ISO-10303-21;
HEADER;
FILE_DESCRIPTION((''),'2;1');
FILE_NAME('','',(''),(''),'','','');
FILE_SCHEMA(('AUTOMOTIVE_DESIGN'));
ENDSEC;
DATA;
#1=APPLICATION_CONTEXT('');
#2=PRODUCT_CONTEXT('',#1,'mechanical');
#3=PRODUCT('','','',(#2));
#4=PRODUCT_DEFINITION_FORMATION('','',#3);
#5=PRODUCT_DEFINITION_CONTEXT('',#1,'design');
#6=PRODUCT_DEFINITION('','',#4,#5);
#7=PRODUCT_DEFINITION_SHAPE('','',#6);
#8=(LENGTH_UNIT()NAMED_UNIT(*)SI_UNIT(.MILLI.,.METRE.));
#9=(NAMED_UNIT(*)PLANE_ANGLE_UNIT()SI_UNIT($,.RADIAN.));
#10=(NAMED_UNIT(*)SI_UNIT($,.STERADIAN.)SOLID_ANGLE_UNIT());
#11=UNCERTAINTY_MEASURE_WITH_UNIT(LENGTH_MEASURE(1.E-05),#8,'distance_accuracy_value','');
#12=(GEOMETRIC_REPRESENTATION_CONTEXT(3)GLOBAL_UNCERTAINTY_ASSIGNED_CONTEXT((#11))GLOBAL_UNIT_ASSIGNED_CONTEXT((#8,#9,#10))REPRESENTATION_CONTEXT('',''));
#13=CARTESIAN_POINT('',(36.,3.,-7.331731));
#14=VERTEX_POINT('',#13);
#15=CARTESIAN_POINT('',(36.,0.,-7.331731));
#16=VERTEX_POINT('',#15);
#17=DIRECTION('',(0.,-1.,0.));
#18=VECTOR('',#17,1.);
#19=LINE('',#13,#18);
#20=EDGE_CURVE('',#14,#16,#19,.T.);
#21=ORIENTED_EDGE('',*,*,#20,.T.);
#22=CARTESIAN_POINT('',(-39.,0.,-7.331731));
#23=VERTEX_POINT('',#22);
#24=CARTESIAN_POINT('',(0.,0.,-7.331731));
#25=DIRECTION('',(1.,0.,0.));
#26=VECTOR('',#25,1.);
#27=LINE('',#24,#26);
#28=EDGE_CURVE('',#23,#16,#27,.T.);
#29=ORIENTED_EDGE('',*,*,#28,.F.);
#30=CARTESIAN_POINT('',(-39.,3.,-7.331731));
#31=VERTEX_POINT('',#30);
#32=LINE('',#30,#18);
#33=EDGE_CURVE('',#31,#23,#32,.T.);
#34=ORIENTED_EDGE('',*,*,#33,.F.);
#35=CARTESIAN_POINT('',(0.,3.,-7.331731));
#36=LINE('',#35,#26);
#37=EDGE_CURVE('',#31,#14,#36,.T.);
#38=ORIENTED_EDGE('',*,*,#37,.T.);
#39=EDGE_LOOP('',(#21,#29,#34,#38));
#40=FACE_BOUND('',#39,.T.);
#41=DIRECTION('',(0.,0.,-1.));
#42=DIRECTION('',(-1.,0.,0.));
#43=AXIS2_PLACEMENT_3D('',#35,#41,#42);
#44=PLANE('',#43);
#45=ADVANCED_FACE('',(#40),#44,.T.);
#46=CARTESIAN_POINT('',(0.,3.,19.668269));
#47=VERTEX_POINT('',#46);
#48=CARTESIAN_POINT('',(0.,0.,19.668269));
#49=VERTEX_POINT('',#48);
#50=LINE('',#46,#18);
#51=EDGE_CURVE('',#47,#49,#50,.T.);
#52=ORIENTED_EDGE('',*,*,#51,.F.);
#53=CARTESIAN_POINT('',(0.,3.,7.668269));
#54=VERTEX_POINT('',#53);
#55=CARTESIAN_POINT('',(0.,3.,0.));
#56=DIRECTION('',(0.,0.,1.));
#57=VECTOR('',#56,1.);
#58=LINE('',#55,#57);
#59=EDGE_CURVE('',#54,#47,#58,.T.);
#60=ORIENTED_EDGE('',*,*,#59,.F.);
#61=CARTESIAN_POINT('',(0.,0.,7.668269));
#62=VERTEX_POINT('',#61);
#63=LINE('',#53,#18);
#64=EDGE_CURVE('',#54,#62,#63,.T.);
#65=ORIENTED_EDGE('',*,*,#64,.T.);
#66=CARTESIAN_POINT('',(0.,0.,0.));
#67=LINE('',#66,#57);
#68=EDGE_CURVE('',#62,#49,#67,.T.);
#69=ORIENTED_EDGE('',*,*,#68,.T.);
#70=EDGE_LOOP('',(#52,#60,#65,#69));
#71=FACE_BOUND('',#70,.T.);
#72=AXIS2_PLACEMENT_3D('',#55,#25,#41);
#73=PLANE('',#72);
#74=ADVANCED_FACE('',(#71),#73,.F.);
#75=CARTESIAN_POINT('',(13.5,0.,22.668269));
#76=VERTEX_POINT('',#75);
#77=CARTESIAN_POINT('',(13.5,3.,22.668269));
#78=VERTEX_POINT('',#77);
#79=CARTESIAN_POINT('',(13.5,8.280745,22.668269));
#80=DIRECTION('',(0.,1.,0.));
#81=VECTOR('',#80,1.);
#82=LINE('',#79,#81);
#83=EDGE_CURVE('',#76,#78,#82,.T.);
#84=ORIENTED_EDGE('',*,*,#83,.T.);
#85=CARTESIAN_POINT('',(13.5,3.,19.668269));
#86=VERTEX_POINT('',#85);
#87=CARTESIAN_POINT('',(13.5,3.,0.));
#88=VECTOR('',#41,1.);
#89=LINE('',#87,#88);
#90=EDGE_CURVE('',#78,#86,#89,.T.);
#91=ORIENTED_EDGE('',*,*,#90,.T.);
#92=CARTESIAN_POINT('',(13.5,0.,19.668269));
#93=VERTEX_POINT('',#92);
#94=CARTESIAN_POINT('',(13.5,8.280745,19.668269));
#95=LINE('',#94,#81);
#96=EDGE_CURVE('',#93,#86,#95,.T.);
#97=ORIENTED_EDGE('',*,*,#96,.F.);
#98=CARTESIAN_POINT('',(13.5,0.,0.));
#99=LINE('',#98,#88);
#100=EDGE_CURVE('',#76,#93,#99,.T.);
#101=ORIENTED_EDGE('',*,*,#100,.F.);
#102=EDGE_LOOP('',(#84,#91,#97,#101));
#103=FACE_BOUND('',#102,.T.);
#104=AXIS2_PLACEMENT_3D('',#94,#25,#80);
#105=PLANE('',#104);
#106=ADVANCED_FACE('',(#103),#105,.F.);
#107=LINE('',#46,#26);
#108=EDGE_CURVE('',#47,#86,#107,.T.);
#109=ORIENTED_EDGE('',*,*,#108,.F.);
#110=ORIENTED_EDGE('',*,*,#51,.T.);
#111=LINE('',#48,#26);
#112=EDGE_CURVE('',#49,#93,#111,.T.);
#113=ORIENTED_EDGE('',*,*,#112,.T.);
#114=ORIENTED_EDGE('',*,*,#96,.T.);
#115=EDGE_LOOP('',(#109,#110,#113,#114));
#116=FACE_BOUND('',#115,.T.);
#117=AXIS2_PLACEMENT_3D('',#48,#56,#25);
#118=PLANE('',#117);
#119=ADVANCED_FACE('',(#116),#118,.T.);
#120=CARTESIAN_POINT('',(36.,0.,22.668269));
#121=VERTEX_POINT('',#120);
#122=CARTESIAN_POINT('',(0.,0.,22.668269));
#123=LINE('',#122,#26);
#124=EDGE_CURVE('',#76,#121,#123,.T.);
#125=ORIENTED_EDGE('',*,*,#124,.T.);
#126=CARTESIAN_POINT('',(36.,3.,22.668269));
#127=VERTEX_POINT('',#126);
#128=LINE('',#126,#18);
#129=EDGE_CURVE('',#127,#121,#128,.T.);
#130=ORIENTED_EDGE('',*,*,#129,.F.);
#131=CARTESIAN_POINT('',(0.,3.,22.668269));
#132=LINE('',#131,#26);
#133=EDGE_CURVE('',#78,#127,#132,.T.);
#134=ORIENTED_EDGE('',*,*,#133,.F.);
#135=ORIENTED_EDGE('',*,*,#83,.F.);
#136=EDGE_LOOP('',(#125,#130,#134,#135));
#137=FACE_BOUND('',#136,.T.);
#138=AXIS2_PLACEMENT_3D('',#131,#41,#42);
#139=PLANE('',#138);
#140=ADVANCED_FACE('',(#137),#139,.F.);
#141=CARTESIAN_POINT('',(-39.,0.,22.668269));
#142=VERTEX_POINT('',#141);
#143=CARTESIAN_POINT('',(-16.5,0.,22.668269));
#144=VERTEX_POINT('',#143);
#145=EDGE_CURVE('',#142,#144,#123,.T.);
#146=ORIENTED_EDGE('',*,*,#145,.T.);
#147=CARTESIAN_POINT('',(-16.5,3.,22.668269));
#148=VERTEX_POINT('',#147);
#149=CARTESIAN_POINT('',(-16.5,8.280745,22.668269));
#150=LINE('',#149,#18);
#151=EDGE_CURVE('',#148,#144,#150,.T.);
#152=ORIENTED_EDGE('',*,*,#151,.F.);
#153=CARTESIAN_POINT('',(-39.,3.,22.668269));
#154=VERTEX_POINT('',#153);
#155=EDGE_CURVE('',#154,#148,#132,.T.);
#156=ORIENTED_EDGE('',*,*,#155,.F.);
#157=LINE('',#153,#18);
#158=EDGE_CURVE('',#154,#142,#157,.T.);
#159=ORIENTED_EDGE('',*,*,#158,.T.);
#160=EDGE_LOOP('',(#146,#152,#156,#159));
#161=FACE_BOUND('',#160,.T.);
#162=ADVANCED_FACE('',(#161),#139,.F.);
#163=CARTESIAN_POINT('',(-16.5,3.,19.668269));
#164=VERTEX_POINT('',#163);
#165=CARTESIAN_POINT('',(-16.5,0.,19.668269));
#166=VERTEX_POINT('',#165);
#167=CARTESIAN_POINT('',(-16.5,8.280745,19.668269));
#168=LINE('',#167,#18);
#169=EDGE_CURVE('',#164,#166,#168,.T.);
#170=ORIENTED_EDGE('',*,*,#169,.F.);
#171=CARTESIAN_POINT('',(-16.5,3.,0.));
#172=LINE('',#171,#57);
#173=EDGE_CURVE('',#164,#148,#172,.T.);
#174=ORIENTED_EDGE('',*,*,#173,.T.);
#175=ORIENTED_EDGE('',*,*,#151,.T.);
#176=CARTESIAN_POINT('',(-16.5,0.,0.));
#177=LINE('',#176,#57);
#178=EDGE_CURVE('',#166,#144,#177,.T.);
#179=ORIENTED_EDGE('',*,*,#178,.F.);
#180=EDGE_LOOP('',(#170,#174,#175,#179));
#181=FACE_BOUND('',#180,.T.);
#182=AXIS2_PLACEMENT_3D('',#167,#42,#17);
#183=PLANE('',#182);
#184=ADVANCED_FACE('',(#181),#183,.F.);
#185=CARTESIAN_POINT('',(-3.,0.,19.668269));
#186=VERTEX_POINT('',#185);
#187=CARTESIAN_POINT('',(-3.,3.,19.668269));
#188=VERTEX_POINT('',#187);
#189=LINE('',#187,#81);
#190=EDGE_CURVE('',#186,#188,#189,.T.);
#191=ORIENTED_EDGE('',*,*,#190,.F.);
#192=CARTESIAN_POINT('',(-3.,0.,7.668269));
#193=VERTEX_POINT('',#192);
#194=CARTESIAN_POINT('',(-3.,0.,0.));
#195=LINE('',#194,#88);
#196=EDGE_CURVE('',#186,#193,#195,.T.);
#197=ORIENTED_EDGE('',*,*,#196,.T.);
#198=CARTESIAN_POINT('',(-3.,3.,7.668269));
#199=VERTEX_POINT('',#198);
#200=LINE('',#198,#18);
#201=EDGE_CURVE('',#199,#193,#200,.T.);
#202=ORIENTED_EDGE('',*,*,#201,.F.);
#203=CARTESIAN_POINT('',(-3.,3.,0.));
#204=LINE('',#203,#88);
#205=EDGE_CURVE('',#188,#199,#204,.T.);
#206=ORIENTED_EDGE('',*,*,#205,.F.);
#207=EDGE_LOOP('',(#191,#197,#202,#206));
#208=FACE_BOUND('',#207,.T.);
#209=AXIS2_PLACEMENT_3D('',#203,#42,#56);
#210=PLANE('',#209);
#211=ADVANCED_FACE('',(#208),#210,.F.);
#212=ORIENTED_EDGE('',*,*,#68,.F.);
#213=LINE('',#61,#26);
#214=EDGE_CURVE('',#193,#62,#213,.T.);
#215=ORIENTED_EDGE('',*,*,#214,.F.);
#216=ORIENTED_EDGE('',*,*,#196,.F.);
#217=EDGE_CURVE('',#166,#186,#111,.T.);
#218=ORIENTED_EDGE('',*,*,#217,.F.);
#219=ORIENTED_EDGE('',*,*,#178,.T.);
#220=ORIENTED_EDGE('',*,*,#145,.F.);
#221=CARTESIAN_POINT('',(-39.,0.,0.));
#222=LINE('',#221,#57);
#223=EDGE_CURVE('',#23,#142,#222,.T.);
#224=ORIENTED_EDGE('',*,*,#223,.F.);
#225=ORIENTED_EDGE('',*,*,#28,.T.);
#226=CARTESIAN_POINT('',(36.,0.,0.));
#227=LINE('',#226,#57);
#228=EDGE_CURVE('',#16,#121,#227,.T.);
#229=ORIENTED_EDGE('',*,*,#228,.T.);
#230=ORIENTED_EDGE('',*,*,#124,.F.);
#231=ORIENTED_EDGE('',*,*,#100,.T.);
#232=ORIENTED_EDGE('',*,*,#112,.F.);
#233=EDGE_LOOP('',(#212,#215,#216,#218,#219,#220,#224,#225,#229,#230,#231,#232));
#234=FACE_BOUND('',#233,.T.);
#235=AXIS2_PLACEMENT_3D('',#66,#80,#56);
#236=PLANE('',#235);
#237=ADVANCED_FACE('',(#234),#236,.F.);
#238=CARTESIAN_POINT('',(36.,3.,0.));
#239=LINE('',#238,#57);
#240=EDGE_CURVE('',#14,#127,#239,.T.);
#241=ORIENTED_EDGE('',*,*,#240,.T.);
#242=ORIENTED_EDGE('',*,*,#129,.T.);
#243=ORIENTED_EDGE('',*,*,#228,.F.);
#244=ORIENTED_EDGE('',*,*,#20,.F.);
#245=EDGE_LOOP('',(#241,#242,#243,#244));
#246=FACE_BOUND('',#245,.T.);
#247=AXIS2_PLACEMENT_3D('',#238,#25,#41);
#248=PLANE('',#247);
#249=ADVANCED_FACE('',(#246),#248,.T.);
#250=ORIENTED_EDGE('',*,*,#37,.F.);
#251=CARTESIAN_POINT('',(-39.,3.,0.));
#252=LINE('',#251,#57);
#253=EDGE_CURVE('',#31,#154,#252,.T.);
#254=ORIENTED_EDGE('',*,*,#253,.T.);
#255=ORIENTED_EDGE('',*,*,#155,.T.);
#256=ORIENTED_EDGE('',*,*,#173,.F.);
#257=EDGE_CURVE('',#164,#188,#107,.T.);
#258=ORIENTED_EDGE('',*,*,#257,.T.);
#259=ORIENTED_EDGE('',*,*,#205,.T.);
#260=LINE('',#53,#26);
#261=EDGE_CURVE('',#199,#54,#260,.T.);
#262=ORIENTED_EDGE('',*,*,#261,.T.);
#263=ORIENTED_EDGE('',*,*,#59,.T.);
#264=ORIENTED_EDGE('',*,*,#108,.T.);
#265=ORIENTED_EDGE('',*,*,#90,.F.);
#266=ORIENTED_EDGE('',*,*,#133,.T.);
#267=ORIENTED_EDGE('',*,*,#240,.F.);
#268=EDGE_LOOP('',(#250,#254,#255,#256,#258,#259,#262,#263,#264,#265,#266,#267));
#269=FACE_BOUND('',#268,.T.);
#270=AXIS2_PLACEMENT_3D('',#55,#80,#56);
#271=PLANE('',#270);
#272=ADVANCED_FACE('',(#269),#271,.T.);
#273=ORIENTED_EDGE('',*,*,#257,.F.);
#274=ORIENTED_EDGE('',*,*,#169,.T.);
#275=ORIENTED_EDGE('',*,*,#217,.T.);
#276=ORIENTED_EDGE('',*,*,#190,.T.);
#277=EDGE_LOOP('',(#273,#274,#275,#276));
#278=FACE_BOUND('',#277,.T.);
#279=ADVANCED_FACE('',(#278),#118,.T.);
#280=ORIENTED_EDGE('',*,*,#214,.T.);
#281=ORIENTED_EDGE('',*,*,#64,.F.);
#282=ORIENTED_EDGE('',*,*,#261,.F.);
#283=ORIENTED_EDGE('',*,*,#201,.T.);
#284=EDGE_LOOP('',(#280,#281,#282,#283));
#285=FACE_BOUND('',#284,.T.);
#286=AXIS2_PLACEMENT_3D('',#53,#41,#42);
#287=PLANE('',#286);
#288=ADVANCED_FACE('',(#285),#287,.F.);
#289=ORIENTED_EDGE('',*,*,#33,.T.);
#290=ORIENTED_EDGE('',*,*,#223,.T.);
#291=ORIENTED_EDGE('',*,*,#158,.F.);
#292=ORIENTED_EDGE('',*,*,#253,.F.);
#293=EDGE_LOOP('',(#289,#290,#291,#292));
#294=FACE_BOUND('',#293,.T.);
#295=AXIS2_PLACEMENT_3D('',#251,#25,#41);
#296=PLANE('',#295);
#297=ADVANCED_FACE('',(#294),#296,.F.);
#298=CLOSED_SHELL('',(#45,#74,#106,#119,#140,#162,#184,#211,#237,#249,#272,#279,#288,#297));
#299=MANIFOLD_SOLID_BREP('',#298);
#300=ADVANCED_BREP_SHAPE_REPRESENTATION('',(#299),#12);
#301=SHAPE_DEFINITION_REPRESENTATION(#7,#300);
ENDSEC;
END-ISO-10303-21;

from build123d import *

# Parameters (mm, degrees)
RESSALTO_EXTRUS_O1_DEPTH = 3
ESBO_O2_W                = 30
ESBO_O2_H                = 16.142769795
CORTE_EXTRUS_O2_DEPTH    = 3


with BuildPart() as part:
    # Esboço1 → Ressalto-extrusão1 (new body)
    with BuildSketch(Plane(origin=(0, 0, 0), x_dir=(1, 0, 0), z_dir=(0, 1, 0))):
        Polygon((36, 7.331730769), (-39, 7.331730769), (-39, -22.668269231), (-3, -22.668269231), (-3, -7.668269231), (0, -7.668269231), (0, -22.668269231), (36, -22.668269231), align=None)
    extrude(amount=RESSALTO_EXTRUS_O1_DEPTH)

    # Esboço2 → Corte-extrusão2 (cut)
    with BuildSketch(Plane.XY.offset(22.668269231)):
        with Locations((-1.5, 0.209360247)):
            Rectangle(ESBO_O2_W, ESBO_O2_H)
    extrude(amount=-CORTE_EXTRUS_O2_DEPTH, mode=Mode.SUBTRACT)


solid = part.part
